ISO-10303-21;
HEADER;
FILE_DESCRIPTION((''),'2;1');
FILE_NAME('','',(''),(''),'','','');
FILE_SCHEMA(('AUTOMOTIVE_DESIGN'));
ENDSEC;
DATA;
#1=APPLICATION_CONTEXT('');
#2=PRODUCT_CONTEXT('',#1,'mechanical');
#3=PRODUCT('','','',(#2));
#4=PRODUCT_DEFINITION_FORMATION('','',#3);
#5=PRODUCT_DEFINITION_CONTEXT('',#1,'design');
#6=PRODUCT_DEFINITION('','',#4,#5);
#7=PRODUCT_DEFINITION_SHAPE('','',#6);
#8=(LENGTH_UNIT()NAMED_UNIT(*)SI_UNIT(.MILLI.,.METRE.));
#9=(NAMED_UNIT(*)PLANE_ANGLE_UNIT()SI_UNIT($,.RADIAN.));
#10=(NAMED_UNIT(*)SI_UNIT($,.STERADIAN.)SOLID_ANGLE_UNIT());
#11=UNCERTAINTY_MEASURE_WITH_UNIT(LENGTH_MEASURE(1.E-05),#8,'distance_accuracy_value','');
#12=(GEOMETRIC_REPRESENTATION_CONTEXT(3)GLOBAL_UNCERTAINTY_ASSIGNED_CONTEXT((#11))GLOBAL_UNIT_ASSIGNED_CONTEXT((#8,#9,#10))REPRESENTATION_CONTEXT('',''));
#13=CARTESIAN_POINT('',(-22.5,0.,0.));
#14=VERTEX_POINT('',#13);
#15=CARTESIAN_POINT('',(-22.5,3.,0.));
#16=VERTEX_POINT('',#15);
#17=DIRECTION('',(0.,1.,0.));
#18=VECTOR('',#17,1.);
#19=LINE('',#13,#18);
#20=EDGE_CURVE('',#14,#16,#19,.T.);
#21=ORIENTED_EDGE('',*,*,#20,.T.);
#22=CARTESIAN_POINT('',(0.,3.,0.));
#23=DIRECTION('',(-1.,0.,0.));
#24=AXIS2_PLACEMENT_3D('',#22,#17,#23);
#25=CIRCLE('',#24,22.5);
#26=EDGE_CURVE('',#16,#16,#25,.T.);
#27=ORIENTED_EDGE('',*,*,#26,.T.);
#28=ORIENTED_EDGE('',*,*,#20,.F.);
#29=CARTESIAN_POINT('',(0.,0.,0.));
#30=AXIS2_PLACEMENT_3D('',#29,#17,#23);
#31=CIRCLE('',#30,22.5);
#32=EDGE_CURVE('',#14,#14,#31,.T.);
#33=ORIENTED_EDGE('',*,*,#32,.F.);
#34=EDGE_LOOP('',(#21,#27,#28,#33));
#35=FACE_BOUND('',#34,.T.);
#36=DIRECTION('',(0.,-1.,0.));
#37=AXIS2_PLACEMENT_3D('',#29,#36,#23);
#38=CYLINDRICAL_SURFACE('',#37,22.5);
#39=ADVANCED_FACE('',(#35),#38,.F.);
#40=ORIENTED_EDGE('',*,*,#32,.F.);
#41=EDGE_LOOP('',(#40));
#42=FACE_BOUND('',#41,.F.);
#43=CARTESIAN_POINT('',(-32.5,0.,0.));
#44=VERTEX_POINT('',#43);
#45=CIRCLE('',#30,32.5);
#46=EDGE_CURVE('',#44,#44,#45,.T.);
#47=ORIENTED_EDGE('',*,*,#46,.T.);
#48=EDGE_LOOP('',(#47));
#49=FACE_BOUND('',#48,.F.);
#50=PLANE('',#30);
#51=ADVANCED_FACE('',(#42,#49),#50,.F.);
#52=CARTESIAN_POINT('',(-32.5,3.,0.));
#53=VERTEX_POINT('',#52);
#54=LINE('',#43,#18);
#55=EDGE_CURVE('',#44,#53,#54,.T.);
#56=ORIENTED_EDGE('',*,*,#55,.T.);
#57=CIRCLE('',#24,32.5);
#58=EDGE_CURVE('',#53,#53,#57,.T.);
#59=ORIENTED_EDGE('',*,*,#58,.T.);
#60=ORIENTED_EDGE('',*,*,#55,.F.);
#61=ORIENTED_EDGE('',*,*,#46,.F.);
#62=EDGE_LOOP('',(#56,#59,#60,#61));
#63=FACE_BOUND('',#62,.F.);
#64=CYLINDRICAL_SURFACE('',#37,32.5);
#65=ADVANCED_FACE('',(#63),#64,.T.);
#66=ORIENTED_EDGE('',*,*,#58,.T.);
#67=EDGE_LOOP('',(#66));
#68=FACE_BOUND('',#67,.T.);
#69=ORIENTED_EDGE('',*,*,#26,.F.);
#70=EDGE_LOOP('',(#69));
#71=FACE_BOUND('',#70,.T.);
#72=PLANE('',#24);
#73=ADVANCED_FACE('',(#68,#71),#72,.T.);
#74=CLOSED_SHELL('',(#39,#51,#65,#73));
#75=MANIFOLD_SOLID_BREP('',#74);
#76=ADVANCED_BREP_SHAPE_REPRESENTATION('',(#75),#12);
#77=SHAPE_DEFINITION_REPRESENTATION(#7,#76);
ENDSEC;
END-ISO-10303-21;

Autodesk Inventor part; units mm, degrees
ref_plane "YZ Plane" through (0, 0, 0) normal (1, 0, 0) x (0, 1, 0)
ref_plane "XZ Plane" through (0, 0, 0) normal (0, 1, 0) x (-1, 0, 0)
ref_plane "XY Plane" through (0, 0, 0) normal (0, 0, 1) x (1, 0, 0)
sketch "Sketch1" plane through (0, 0, 0) normal (0, 1, 0) x (-1, 0, 0)
  circle A0 centre (0, 0) radius 22.5
  circle A1 centre (0, 0) radius 32.5
  dimension "d0" = 45
  dimension "d1" = 65
extrude "Extrusion1" add sketch "Sketch1" along normal blind 3
properties part number "Thrust_Bearing-GB" material "Stainless Steel"
